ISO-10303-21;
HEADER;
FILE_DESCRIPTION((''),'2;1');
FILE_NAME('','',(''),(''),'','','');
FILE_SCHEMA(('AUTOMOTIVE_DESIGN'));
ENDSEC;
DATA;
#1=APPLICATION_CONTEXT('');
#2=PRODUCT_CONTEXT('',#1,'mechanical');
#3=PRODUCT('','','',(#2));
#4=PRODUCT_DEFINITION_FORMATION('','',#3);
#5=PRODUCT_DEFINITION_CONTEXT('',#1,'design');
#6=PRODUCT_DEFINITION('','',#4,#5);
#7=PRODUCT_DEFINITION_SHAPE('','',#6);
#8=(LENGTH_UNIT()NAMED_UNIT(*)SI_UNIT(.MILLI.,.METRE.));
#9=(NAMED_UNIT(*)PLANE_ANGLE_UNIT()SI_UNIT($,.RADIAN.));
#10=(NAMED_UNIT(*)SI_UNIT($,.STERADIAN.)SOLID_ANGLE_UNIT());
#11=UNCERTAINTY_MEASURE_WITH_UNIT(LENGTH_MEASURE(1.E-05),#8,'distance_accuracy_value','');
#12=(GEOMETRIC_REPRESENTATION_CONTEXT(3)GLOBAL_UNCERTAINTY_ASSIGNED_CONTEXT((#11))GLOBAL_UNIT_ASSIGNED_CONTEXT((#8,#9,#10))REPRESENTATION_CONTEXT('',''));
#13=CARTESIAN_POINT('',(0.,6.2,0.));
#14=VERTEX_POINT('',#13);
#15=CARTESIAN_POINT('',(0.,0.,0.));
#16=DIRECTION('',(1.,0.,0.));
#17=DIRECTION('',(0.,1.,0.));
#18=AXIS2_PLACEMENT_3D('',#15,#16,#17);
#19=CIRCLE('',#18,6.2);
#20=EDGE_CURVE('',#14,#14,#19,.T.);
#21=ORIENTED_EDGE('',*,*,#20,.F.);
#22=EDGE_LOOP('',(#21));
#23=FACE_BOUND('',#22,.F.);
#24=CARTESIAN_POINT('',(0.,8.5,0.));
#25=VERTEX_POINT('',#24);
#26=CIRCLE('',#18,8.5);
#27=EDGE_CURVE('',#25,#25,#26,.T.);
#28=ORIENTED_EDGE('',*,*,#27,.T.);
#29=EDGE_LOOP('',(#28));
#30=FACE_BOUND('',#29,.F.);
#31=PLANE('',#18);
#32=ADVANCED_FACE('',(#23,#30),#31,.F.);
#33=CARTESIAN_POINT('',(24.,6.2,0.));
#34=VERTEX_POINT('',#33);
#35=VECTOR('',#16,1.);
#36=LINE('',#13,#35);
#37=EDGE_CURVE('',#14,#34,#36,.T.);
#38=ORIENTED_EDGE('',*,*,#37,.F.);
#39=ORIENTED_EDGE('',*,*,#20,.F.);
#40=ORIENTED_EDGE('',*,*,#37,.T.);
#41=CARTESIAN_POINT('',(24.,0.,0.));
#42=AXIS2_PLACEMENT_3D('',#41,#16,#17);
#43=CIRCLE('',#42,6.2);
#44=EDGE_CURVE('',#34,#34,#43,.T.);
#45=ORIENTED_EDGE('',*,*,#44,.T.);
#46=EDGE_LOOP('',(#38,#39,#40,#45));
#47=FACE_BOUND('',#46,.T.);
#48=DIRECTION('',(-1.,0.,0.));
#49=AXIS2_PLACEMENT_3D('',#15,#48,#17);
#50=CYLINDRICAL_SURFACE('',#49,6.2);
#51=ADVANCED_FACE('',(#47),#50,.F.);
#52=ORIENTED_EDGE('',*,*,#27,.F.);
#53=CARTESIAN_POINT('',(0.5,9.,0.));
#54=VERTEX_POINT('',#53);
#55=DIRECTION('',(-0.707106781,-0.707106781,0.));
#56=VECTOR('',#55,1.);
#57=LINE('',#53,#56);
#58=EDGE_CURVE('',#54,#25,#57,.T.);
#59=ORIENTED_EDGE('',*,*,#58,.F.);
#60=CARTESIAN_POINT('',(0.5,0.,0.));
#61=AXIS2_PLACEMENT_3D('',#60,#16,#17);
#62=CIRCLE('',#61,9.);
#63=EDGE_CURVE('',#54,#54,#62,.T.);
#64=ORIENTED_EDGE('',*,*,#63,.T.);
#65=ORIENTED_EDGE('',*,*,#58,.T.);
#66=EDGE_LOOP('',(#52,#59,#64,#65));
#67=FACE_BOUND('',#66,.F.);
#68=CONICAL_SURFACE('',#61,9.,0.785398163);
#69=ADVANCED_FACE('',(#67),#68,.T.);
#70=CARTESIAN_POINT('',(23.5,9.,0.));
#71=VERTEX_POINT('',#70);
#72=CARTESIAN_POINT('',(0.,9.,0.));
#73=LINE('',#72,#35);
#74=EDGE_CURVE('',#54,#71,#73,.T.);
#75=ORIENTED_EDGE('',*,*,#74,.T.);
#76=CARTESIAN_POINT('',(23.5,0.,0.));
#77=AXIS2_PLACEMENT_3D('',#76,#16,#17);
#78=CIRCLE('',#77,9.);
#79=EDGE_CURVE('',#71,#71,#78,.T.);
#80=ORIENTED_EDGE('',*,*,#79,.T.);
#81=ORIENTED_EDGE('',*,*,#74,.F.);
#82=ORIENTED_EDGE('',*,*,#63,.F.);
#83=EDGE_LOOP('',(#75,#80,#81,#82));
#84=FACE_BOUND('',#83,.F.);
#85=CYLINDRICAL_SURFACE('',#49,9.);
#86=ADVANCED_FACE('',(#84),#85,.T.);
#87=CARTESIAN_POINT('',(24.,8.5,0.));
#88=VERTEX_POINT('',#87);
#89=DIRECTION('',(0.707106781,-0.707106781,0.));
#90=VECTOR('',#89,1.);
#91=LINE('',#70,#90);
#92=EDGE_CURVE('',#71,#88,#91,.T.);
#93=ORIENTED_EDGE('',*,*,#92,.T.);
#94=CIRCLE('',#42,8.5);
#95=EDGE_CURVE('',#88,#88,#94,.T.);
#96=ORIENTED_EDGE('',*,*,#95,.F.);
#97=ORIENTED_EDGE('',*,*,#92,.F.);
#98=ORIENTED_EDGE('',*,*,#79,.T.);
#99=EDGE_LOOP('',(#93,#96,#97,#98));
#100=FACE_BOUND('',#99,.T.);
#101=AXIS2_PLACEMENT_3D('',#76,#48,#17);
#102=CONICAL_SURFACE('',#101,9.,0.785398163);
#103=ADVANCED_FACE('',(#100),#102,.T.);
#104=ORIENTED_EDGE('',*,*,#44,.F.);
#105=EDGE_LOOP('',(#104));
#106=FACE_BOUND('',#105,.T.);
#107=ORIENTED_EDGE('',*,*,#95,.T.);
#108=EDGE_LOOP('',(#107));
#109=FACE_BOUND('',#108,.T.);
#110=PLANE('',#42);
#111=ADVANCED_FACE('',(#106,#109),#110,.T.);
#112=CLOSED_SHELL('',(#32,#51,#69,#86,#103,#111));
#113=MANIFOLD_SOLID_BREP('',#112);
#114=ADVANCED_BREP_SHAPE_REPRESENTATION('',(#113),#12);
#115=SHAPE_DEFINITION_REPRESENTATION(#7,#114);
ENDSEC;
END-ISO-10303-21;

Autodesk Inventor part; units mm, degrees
ref_plane "YZ Plane" through (0, 0, 0) normal (1, 0, 0) x (0, 1, 0)
ref_plane "XZ Plane" through (0, 0, 0) normal (0, 1, 0) x (-1, 0, 0)
ref_plane "XY Plane" through (0, 0, 0) normal (0, 0, 1) x (1, 0, 0)
sketch "Sketch1" plane through (0, 0, 0) normal (1, 0, 0) x (0, 1, 0)
  circle A0 centre (0, 0) radius 6.2
  circle A1 centre (0, 0) radius 9
  dimension "d0" = 12.4
  dimension "d1" = 18
extrude "Extrusion1" add sketch "Sketch1" along normal blind 24
chamfer "Chamfer1" distance 0.5 angle 45 2 edges at (0, -9, 0) (24, -9, 0)
properties part number "Z-screw Bump Stop" material "Rubber, Silicone"
